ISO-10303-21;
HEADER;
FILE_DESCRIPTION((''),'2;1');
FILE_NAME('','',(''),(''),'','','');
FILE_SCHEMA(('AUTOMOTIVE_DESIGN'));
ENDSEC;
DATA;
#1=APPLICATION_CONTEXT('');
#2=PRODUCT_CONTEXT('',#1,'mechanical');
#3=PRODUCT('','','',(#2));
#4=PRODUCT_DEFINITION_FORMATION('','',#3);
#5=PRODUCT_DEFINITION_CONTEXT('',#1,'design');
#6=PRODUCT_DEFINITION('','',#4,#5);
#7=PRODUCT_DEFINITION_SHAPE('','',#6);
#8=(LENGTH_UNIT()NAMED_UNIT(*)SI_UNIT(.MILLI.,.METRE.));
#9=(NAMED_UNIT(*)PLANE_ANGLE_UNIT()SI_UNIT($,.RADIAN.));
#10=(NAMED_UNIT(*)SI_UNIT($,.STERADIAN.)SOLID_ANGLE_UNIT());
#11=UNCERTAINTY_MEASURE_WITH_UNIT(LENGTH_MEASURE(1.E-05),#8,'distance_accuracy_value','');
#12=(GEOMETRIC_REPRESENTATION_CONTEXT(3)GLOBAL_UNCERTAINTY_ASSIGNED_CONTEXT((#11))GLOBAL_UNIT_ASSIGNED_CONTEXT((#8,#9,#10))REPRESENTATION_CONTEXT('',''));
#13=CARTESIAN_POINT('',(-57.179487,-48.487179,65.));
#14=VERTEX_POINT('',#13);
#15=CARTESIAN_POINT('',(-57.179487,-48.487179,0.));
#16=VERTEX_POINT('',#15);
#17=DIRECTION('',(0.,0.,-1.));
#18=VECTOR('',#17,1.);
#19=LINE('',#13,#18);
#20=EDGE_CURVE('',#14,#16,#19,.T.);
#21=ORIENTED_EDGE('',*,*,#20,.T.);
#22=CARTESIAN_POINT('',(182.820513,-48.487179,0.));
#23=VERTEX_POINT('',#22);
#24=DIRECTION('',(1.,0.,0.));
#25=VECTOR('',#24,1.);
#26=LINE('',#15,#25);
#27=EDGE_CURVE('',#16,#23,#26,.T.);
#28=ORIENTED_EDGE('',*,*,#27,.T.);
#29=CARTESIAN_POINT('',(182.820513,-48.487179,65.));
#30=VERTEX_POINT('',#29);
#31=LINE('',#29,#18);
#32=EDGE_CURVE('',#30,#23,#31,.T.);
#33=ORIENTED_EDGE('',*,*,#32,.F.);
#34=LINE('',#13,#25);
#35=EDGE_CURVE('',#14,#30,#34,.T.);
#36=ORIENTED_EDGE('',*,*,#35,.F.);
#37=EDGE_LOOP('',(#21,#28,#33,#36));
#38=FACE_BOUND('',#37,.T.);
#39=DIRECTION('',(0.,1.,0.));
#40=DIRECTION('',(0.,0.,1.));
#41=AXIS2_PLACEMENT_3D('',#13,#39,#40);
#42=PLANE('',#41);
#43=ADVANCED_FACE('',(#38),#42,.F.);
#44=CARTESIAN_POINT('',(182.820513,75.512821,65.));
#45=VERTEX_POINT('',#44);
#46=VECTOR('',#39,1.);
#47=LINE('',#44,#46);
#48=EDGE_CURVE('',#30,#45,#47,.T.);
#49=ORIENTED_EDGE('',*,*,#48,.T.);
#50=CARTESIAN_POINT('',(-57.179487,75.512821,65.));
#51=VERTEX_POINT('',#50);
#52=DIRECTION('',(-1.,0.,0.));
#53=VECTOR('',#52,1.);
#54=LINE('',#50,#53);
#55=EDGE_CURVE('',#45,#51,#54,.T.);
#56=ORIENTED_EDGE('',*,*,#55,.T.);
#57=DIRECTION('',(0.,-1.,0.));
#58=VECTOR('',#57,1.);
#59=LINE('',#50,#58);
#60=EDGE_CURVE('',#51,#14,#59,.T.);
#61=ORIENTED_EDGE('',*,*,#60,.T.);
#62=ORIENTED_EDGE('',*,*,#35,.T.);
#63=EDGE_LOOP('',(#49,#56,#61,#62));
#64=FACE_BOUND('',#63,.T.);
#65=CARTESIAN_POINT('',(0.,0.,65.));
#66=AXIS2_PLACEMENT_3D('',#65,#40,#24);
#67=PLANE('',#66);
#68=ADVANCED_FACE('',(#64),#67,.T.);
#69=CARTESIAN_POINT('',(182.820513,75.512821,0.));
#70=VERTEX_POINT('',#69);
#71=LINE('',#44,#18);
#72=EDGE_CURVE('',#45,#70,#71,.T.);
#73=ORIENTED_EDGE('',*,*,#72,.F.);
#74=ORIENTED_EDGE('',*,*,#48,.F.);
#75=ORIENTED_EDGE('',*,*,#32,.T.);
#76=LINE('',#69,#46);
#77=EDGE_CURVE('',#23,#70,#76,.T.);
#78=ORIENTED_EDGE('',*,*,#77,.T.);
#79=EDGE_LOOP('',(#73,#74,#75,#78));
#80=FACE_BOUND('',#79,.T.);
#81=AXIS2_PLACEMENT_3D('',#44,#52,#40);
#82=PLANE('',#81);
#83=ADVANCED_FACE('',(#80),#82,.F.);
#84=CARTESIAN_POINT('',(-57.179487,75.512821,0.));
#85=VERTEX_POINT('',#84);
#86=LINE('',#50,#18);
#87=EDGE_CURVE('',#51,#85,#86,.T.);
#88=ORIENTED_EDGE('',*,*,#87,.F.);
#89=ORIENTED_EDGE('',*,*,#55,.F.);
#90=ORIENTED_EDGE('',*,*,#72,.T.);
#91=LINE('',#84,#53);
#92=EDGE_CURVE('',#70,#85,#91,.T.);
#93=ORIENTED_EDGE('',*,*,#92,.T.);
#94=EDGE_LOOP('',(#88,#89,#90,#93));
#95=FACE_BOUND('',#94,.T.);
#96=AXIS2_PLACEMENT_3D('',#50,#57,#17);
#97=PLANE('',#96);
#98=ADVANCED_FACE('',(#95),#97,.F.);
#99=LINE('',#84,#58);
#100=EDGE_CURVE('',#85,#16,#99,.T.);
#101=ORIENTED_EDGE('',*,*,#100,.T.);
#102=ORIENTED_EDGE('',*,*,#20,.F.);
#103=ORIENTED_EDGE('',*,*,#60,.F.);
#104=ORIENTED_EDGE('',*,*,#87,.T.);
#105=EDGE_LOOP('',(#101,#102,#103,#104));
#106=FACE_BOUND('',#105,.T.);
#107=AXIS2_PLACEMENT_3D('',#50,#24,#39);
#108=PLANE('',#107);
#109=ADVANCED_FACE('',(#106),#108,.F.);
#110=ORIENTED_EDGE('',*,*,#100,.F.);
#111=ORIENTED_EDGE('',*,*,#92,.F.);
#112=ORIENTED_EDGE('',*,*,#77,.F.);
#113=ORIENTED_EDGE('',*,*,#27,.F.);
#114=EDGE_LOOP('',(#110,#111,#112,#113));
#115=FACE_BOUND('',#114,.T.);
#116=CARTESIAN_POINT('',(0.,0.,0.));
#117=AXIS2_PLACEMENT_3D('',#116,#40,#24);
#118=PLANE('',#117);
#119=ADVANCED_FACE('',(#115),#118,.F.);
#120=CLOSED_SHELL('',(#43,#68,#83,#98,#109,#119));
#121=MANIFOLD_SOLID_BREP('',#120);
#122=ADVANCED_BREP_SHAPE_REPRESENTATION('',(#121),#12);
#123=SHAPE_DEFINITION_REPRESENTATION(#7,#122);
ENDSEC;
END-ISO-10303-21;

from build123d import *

# Parameters (mm, degrees)
SKETCH_1_W      = 240
SKETCH_1_H      = 124
EXTRUDE_1_DEPTH = 65


with BuildPart() as part:
    # 草图1 → 凸台-拉伸1 (new body)
    with BuildSketch(Plane.XY):
        with Locations((62.820512821, 13.512820513)):
            Rectangle(SKETCH_1_W, SKETCH_1_H)
    extrude(amount=EXTRUDE_1_DEPTH)


solid = part.part
